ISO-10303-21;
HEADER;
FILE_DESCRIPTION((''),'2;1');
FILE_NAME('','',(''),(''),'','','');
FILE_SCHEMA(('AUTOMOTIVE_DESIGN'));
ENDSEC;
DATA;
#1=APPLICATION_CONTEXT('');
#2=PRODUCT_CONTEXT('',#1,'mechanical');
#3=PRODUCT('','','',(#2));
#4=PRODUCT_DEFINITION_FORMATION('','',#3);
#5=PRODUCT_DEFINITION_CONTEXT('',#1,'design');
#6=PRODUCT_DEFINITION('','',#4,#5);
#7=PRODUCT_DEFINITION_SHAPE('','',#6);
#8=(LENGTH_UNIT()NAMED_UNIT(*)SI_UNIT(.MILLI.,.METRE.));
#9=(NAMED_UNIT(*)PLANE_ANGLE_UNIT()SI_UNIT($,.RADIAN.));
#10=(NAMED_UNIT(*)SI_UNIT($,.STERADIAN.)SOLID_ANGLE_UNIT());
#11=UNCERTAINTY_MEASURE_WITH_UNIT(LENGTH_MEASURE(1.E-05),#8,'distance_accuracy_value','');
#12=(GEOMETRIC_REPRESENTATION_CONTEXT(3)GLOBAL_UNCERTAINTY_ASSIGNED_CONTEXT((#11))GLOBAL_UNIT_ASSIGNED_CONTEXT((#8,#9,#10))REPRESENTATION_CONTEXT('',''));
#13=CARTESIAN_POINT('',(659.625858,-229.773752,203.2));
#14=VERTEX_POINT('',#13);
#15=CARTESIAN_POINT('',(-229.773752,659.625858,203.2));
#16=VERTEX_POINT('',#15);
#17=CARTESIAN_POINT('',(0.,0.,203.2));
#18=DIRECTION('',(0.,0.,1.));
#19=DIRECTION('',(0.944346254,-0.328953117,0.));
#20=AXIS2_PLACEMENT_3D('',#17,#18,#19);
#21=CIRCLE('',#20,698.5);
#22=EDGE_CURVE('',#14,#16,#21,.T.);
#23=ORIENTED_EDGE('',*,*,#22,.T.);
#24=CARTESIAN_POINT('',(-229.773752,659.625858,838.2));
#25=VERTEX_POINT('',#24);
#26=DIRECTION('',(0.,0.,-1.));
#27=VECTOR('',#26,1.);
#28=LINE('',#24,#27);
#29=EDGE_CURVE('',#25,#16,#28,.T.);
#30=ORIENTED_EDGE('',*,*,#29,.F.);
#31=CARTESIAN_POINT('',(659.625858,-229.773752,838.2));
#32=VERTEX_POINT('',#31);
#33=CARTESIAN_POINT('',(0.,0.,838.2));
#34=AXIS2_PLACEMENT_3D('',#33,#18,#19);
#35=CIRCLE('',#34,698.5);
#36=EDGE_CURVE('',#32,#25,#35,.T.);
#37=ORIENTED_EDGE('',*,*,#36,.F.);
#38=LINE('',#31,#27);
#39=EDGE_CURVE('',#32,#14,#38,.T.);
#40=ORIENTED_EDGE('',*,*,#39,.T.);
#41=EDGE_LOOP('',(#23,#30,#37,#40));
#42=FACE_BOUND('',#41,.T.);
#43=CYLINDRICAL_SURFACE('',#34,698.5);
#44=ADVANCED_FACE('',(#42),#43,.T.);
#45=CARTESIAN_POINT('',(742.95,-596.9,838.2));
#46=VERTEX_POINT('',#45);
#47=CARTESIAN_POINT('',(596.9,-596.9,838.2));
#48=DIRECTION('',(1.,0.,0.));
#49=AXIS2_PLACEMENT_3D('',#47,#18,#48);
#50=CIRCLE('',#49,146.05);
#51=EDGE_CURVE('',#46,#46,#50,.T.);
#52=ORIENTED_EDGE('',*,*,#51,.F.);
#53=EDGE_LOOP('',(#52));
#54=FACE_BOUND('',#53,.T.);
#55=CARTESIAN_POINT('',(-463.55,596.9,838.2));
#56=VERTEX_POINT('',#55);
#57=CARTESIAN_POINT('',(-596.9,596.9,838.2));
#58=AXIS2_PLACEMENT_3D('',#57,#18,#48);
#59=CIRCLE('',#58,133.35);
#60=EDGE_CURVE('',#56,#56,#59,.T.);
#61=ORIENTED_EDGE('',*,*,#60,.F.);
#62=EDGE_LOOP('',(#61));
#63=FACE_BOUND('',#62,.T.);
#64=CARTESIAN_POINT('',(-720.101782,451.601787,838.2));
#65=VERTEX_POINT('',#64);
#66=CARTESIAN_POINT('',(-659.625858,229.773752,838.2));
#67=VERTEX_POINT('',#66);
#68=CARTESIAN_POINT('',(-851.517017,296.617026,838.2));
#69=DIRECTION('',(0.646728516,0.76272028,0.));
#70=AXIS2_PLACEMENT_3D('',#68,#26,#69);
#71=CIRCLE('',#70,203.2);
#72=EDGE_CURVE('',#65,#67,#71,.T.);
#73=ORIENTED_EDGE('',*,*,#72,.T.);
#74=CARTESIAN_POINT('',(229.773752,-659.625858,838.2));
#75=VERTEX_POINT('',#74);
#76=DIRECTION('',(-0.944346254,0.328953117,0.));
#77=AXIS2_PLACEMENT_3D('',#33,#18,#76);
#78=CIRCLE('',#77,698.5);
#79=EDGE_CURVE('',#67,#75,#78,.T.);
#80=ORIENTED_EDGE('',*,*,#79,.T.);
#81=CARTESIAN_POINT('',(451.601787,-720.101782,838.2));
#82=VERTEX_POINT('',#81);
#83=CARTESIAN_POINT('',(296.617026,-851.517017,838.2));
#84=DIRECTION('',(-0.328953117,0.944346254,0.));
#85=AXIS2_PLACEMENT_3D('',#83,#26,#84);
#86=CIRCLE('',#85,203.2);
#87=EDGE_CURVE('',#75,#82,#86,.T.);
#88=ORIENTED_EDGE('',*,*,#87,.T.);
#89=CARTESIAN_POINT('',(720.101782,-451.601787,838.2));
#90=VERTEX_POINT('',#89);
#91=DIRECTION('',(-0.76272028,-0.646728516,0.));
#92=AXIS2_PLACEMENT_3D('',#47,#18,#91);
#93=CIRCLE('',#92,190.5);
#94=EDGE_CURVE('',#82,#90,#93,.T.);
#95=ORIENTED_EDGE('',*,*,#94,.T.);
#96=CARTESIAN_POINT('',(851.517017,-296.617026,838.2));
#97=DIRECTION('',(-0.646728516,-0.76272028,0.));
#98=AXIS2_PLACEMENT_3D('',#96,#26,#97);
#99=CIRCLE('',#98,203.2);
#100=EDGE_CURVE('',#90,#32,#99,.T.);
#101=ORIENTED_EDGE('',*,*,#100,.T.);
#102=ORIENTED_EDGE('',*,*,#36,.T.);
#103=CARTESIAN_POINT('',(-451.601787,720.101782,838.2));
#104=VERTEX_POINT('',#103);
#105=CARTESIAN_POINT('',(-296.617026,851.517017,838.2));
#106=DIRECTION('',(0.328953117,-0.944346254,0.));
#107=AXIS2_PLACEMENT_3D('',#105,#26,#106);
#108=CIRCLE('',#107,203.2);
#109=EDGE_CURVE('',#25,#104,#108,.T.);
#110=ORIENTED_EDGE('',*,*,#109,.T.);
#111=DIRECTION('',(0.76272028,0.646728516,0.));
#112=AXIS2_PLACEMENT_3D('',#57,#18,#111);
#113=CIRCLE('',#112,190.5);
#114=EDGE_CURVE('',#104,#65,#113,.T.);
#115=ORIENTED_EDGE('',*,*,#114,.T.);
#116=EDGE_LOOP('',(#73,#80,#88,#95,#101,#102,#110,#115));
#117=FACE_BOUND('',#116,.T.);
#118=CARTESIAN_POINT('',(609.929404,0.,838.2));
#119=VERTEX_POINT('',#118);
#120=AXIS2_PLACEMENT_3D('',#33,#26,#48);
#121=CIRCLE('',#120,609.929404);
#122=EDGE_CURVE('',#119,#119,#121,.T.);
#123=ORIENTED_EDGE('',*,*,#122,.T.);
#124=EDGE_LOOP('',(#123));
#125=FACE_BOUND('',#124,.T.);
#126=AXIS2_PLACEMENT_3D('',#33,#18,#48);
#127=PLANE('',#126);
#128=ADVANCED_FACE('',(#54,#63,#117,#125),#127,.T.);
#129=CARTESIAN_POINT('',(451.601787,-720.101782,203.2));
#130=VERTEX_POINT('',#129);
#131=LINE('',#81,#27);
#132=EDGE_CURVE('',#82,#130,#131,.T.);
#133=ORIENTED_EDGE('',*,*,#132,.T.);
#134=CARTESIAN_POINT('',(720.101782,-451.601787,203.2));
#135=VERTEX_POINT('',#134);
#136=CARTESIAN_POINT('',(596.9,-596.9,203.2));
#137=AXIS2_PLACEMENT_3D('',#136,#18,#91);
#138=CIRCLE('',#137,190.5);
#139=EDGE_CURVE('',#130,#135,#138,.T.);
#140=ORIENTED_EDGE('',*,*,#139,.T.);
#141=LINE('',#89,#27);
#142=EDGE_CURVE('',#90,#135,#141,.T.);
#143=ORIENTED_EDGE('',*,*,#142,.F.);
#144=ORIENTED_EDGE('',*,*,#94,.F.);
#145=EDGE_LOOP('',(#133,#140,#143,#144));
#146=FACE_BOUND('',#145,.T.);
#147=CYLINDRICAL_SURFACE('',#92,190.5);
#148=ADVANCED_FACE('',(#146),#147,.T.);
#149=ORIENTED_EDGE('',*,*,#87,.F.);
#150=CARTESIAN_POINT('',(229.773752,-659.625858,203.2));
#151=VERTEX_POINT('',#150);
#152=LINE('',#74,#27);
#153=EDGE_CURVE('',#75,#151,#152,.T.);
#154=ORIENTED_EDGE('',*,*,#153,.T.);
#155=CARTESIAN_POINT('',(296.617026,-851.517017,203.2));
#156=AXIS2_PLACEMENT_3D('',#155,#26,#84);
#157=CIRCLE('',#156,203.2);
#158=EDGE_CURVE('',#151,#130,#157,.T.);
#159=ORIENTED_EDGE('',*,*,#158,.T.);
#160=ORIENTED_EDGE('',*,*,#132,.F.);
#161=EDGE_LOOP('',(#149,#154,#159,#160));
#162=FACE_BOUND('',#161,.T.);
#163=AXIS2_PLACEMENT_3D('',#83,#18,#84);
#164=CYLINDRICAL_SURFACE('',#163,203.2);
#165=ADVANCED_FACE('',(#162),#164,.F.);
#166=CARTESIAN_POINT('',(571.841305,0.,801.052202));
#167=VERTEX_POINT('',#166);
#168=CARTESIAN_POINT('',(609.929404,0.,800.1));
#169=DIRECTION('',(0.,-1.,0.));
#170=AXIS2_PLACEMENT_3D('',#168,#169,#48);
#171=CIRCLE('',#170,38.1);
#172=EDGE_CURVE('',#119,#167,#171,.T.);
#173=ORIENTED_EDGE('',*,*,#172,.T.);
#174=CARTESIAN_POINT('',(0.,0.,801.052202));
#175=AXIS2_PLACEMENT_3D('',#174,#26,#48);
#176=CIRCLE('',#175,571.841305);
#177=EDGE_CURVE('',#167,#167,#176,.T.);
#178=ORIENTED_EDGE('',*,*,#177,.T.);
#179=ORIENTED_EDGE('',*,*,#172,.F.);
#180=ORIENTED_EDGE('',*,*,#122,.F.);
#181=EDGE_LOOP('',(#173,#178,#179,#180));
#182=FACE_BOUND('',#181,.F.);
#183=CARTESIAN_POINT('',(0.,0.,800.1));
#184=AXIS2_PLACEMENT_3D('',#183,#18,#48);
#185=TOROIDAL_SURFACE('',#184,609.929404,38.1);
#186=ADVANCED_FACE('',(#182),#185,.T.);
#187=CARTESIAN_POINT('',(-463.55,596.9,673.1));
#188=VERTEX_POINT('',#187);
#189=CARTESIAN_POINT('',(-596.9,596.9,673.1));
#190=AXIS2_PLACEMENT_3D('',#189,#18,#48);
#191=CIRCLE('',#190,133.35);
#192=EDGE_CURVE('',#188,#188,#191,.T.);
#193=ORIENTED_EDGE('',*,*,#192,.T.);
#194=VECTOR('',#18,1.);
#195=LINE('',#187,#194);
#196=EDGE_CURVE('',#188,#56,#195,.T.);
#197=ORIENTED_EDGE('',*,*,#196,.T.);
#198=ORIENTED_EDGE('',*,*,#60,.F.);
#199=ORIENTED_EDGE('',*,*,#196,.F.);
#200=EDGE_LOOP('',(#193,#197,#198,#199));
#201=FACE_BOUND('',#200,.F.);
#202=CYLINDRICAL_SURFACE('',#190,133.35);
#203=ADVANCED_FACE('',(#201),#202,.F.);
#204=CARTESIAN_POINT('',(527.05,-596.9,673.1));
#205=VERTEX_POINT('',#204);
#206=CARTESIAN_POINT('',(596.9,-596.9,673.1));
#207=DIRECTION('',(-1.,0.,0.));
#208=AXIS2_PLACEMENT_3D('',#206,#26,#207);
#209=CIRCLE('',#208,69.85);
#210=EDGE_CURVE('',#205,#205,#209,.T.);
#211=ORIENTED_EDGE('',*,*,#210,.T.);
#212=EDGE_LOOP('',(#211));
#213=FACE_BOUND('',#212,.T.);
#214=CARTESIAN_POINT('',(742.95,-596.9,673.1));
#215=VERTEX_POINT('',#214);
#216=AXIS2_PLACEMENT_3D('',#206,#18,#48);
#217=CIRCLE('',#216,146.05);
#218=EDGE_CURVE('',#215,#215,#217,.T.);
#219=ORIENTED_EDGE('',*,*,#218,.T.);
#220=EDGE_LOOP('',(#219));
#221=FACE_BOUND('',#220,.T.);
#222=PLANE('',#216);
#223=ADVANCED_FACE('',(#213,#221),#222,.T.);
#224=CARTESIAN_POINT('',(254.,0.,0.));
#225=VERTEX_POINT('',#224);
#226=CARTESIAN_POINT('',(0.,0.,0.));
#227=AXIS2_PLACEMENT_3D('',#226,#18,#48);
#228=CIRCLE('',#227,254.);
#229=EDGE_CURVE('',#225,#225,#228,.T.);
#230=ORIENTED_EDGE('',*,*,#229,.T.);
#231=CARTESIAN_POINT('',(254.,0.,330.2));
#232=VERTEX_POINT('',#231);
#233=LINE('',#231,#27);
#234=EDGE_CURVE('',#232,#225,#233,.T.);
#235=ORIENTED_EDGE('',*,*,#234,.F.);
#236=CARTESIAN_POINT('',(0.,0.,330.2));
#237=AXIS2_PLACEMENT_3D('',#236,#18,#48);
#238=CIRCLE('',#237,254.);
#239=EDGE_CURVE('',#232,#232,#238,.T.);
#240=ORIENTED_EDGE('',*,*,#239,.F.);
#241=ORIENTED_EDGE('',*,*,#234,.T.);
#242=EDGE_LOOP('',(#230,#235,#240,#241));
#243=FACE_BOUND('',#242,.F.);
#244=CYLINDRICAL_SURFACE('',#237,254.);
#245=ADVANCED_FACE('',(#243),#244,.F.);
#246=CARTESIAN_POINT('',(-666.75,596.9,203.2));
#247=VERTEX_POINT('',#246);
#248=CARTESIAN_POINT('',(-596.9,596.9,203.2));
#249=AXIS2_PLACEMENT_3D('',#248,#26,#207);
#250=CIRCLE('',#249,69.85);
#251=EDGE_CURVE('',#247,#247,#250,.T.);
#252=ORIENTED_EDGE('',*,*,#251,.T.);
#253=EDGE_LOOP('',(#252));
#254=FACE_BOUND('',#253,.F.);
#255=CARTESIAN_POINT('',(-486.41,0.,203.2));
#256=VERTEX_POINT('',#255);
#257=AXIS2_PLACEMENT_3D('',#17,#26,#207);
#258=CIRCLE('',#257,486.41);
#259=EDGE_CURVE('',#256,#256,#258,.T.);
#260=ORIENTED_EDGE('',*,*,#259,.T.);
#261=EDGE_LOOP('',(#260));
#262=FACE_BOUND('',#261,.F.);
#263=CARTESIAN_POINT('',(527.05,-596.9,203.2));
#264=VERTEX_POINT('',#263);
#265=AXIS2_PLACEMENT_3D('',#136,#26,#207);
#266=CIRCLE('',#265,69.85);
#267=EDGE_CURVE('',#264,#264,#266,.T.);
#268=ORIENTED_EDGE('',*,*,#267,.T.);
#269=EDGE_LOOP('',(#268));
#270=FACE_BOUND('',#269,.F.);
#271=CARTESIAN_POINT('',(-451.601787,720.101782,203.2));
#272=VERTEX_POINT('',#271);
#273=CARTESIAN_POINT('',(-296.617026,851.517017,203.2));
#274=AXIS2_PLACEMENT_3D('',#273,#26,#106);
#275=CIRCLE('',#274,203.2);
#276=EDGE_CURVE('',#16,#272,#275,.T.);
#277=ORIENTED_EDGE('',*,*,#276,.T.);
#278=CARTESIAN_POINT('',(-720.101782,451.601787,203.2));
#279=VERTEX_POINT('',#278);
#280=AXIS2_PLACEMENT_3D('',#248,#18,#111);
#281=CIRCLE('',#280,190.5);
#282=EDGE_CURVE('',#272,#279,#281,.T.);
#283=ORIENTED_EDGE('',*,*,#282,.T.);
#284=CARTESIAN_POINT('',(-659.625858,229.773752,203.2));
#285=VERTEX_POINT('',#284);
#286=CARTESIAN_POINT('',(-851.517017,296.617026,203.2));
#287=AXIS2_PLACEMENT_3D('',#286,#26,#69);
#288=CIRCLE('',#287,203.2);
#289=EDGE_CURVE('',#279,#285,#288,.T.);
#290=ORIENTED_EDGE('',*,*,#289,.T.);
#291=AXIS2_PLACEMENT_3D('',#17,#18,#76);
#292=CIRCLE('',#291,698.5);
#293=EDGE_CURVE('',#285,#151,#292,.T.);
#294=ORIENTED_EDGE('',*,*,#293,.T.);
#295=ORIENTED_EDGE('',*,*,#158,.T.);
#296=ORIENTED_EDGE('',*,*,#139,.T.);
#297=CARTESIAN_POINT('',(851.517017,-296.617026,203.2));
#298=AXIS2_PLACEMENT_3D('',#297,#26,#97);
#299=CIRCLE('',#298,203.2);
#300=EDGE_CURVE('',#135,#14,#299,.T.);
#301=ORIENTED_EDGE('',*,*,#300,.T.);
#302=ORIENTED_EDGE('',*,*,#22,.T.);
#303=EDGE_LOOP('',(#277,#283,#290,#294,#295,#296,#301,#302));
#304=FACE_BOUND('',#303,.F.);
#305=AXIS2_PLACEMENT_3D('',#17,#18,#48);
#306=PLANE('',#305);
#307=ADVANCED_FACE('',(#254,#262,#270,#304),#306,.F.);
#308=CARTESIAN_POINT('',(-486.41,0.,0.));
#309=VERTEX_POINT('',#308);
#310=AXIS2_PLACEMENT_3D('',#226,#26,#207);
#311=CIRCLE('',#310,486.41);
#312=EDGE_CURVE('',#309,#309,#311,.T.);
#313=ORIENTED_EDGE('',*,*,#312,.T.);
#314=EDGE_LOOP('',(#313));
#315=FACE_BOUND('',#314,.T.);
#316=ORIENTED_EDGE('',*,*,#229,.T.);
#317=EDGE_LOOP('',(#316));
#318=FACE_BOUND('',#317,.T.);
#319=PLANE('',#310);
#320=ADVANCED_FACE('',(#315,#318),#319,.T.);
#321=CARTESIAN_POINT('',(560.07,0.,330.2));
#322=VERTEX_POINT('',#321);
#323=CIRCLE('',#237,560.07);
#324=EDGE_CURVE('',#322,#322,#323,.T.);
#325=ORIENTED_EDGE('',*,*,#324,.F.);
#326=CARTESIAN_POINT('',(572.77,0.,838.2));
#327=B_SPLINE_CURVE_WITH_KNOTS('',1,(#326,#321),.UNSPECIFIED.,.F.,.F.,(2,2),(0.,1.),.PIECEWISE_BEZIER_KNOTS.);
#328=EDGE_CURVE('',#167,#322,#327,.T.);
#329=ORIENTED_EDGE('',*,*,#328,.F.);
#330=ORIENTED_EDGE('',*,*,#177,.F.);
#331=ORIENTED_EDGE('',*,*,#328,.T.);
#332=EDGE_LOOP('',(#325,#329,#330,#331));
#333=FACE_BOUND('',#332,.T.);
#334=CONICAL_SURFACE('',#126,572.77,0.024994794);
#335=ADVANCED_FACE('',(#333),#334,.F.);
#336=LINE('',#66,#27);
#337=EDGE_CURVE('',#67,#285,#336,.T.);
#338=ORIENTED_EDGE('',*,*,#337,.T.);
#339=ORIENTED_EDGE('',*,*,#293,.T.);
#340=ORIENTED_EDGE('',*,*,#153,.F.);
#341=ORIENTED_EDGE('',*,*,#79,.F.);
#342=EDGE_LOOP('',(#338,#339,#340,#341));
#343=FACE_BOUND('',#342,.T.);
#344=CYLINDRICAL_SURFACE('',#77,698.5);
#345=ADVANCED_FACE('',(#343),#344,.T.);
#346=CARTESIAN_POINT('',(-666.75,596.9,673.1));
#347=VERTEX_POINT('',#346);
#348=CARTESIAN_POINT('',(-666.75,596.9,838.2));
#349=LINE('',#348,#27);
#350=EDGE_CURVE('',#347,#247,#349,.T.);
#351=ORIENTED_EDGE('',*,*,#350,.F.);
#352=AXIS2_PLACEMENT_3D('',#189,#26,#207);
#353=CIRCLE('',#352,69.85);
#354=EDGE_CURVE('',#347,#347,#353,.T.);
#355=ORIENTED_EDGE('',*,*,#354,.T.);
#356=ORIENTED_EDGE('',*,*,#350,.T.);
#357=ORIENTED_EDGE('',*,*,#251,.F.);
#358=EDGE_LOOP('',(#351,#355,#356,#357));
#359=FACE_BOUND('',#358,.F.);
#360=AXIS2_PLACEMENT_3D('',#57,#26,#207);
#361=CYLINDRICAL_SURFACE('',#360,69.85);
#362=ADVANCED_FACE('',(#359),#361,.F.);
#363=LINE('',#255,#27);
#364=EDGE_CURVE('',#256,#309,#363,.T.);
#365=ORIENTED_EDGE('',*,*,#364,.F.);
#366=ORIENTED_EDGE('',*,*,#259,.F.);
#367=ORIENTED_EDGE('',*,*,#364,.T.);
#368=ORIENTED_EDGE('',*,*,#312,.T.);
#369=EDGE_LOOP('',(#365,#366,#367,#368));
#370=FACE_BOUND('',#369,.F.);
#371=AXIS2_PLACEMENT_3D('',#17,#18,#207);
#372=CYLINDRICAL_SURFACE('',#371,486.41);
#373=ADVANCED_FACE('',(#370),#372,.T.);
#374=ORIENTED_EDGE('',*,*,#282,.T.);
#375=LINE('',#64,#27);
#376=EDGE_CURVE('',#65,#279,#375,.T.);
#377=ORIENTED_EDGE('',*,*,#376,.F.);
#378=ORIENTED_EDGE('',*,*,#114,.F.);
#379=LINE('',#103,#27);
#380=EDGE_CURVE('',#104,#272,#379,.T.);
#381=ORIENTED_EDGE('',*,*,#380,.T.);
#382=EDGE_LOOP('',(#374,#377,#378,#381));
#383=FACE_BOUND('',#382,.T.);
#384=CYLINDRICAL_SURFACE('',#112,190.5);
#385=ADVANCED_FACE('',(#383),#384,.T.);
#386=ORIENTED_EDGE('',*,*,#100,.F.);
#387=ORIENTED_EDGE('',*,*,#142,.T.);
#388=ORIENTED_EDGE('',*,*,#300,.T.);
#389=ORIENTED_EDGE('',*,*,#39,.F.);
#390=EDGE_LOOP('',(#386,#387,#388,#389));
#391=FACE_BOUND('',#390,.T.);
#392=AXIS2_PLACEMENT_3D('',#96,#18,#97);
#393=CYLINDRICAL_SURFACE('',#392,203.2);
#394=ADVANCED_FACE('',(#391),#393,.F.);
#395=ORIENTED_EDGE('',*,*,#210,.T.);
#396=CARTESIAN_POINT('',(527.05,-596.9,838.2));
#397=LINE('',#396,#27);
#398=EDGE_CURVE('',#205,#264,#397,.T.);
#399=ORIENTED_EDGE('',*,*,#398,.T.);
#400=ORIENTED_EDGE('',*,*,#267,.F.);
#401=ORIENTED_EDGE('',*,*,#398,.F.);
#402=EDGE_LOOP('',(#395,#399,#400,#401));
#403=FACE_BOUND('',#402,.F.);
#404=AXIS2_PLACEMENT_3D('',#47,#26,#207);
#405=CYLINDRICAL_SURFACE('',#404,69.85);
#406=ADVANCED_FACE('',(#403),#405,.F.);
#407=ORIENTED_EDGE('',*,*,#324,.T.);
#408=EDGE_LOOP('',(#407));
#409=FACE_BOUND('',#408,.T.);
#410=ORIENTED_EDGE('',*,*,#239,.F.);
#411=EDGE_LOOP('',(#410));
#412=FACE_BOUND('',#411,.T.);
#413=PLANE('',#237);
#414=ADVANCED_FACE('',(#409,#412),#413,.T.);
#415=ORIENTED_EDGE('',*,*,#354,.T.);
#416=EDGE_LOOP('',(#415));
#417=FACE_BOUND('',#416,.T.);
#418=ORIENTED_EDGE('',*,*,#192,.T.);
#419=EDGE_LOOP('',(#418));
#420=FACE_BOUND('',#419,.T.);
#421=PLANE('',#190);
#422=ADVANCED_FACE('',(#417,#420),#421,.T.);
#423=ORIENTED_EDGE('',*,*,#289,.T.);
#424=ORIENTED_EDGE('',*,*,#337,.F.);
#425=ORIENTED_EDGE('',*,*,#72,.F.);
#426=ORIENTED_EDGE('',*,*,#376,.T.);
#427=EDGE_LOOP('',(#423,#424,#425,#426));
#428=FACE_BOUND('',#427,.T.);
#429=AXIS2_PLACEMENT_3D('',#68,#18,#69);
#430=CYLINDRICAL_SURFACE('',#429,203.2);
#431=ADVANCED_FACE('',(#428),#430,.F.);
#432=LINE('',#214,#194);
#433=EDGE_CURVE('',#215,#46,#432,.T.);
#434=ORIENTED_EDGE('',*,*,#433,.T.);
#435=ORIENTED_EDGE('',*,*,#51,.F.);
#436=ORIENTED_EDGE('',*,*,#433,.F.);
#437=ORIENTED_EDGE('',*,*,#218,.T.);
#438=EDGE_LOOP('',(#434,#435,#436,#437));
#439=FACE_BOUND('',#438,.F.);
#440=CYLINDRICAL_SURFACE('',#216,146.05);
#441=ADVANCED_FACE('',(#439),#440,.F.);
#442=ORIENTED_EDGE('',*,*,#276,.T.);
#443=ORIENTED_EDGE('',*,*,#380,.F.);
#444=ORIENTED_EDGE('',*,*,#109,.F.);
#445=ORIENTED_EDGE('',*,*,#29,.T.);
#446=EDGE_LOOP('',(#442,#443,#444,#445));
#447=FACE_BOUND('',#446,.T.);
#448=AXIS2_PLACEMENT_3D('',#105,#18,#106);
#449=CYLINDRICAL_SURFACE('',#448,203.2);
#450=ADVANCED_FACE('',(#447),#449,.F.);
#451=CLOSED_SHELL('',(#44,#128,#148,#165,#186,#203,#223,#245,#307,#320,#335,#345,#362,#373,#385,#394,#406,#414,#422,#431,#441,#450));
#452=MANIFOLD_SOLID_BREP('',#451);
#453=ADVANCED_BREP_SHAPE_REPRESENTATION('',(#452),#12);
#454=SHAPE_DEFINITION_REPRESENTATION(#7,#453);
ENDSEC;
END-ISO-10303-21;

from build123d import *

# Parameters (mm, degrees)
BOSS_EXTRU_1_DEPTH      = 635
ESQUISSE2_R             = 486.41
BOSS_EXTRU_2_DEPTH      = 203.2
ESQUISSE3_R             = 572.77
ENL_V_MAT_EXTRU_1_DEPTH = 508
ENL_V_MAT_EXTRU_1_TAPER = 1.432096184
ESQUISSE4_R             = 254
ENL_V_MAT_EXTRU_2_DEPTH = 331.2
PER_AGE1_D              = 139.7
PER_AGE1_DEPTH          = 838.2
PER_AGE1_CBORE_D        = 292.1
PER_AGE1_CBORE_DEPTH    = 165.1
PER_AGE2_D              = 139.7
PER_AGE2_DEPTH          = 838.2
PER_AGE2_CBORE_D        = 266.7
PER_AGE2_CBORE_DEPTH    = 165.1
CONG_1_R                = 38.1


with BuildPart() as part:
    # Esquisse1 → Boss.-Extru.1 (new body)
    with BuildSketch(Plane.XY.offset(838.2)):
        with BuildLine():
            ThreePointArc((-229.773752251, 659.625858177), (-350.063866609, 655.471932336), (-451.601786597, 720.101782381))
            ThreePointArc((-451.601786597, 720.101782381), (-731.603841816, 731.603841816), (-720.101782381, 451.601786597))
            ThreePointArc((-720.101782381, 451.601786597), (-655.471932336, 350.063866609), (-659.625858178, 229.773752251))
            ThreePointArc((-659.625858178, 229.773752251), (-493.914086659, -493.914086659), (229.773752251, -659.625858178))
            ThreePointArc((229.773752251, -659.625858178), (350.063866609, -655.471932336), (451.601786596, -720.101782381))
            ThreePointArc((451.601786596, -720.101782381), (731.603841816, -731.603841816), (720.101782381, -451.601786596))
            ThreePointArc((720.101782381, -451.601786596), (655.471932336, -350.063866609), (659.625858178, -229.773752251))
            ThreePointArc((659.625858178, -229.773752251), (493.914086659, 493.914086659), (-229.773752251, 659.625858177))
        make_face()
    extrude(amount=-BOSS_EXTRU_1_DEPTH)

    # Esquisse2 → Boss.-Extru.2 (add)
    with BuildSketch(Plane(origin=(0, 0, 203.2), x_dir=(-1, 0, 0), z_dir=(0, 0, -1))):
        Circle(ESQUISSE2_R)
    extrude(amount=BOSS_EXTRU_2_DEPTH)

    # Esquisse3 → Enlèv. mat.-Extru.1 (cut)
    with BuildSketch(Plane.XY.offset(838.2)):
        Circle(ESQUISSE3_R)
    extrude(amount=-ENL_V_MAT_EXTRU_1_DEPTH, taper=ENL_V_MAT_EXTRU_1_TAPER, mode=Mode.SUBTRACT)

    # Esquisse4 → Enlèv. mat.-Extru.2 (cut, through all)
    with BuildSketch(Plane.XY.offset(330.2)):
        Circle(ESQUISSE4_R)
    extrude(amount=-ENL_V_MAT_EXTRU_2_DEPTH, mode=Mode.SUBTRACT)

    # Perçage1
    with Locations(Plane.XY.offset(838.2)):
        with Locations((596.9, -596.9)):
            CounterBoreHole(PER_AGE1_D / 2, PER_AGE1_CBORE_D / 2, PER_AGE1_CBORE_DEPTH, depth=PER_AGE1_DEPTH)

    # Perçage2
    with Locations(Plane.XY.offset(838.2)):
        with Locations((-596.9, 596.9)):
            CounterBoreHole(PER_AGE2_D / 2, PER_AGE2_CBORE_D / 2, PER_AGE2_CBORE_DEPTH, depth=PER_AGE2_DEPTH)

    # Congé1
    cong_1_edges = [part.edges().sort_by_distance(p)[0] for p in [
        (-572.77, 0, 838.2),
    ]]
    fillet(cong_1_edges, radius=CONG_1_R)


solid = part.part
